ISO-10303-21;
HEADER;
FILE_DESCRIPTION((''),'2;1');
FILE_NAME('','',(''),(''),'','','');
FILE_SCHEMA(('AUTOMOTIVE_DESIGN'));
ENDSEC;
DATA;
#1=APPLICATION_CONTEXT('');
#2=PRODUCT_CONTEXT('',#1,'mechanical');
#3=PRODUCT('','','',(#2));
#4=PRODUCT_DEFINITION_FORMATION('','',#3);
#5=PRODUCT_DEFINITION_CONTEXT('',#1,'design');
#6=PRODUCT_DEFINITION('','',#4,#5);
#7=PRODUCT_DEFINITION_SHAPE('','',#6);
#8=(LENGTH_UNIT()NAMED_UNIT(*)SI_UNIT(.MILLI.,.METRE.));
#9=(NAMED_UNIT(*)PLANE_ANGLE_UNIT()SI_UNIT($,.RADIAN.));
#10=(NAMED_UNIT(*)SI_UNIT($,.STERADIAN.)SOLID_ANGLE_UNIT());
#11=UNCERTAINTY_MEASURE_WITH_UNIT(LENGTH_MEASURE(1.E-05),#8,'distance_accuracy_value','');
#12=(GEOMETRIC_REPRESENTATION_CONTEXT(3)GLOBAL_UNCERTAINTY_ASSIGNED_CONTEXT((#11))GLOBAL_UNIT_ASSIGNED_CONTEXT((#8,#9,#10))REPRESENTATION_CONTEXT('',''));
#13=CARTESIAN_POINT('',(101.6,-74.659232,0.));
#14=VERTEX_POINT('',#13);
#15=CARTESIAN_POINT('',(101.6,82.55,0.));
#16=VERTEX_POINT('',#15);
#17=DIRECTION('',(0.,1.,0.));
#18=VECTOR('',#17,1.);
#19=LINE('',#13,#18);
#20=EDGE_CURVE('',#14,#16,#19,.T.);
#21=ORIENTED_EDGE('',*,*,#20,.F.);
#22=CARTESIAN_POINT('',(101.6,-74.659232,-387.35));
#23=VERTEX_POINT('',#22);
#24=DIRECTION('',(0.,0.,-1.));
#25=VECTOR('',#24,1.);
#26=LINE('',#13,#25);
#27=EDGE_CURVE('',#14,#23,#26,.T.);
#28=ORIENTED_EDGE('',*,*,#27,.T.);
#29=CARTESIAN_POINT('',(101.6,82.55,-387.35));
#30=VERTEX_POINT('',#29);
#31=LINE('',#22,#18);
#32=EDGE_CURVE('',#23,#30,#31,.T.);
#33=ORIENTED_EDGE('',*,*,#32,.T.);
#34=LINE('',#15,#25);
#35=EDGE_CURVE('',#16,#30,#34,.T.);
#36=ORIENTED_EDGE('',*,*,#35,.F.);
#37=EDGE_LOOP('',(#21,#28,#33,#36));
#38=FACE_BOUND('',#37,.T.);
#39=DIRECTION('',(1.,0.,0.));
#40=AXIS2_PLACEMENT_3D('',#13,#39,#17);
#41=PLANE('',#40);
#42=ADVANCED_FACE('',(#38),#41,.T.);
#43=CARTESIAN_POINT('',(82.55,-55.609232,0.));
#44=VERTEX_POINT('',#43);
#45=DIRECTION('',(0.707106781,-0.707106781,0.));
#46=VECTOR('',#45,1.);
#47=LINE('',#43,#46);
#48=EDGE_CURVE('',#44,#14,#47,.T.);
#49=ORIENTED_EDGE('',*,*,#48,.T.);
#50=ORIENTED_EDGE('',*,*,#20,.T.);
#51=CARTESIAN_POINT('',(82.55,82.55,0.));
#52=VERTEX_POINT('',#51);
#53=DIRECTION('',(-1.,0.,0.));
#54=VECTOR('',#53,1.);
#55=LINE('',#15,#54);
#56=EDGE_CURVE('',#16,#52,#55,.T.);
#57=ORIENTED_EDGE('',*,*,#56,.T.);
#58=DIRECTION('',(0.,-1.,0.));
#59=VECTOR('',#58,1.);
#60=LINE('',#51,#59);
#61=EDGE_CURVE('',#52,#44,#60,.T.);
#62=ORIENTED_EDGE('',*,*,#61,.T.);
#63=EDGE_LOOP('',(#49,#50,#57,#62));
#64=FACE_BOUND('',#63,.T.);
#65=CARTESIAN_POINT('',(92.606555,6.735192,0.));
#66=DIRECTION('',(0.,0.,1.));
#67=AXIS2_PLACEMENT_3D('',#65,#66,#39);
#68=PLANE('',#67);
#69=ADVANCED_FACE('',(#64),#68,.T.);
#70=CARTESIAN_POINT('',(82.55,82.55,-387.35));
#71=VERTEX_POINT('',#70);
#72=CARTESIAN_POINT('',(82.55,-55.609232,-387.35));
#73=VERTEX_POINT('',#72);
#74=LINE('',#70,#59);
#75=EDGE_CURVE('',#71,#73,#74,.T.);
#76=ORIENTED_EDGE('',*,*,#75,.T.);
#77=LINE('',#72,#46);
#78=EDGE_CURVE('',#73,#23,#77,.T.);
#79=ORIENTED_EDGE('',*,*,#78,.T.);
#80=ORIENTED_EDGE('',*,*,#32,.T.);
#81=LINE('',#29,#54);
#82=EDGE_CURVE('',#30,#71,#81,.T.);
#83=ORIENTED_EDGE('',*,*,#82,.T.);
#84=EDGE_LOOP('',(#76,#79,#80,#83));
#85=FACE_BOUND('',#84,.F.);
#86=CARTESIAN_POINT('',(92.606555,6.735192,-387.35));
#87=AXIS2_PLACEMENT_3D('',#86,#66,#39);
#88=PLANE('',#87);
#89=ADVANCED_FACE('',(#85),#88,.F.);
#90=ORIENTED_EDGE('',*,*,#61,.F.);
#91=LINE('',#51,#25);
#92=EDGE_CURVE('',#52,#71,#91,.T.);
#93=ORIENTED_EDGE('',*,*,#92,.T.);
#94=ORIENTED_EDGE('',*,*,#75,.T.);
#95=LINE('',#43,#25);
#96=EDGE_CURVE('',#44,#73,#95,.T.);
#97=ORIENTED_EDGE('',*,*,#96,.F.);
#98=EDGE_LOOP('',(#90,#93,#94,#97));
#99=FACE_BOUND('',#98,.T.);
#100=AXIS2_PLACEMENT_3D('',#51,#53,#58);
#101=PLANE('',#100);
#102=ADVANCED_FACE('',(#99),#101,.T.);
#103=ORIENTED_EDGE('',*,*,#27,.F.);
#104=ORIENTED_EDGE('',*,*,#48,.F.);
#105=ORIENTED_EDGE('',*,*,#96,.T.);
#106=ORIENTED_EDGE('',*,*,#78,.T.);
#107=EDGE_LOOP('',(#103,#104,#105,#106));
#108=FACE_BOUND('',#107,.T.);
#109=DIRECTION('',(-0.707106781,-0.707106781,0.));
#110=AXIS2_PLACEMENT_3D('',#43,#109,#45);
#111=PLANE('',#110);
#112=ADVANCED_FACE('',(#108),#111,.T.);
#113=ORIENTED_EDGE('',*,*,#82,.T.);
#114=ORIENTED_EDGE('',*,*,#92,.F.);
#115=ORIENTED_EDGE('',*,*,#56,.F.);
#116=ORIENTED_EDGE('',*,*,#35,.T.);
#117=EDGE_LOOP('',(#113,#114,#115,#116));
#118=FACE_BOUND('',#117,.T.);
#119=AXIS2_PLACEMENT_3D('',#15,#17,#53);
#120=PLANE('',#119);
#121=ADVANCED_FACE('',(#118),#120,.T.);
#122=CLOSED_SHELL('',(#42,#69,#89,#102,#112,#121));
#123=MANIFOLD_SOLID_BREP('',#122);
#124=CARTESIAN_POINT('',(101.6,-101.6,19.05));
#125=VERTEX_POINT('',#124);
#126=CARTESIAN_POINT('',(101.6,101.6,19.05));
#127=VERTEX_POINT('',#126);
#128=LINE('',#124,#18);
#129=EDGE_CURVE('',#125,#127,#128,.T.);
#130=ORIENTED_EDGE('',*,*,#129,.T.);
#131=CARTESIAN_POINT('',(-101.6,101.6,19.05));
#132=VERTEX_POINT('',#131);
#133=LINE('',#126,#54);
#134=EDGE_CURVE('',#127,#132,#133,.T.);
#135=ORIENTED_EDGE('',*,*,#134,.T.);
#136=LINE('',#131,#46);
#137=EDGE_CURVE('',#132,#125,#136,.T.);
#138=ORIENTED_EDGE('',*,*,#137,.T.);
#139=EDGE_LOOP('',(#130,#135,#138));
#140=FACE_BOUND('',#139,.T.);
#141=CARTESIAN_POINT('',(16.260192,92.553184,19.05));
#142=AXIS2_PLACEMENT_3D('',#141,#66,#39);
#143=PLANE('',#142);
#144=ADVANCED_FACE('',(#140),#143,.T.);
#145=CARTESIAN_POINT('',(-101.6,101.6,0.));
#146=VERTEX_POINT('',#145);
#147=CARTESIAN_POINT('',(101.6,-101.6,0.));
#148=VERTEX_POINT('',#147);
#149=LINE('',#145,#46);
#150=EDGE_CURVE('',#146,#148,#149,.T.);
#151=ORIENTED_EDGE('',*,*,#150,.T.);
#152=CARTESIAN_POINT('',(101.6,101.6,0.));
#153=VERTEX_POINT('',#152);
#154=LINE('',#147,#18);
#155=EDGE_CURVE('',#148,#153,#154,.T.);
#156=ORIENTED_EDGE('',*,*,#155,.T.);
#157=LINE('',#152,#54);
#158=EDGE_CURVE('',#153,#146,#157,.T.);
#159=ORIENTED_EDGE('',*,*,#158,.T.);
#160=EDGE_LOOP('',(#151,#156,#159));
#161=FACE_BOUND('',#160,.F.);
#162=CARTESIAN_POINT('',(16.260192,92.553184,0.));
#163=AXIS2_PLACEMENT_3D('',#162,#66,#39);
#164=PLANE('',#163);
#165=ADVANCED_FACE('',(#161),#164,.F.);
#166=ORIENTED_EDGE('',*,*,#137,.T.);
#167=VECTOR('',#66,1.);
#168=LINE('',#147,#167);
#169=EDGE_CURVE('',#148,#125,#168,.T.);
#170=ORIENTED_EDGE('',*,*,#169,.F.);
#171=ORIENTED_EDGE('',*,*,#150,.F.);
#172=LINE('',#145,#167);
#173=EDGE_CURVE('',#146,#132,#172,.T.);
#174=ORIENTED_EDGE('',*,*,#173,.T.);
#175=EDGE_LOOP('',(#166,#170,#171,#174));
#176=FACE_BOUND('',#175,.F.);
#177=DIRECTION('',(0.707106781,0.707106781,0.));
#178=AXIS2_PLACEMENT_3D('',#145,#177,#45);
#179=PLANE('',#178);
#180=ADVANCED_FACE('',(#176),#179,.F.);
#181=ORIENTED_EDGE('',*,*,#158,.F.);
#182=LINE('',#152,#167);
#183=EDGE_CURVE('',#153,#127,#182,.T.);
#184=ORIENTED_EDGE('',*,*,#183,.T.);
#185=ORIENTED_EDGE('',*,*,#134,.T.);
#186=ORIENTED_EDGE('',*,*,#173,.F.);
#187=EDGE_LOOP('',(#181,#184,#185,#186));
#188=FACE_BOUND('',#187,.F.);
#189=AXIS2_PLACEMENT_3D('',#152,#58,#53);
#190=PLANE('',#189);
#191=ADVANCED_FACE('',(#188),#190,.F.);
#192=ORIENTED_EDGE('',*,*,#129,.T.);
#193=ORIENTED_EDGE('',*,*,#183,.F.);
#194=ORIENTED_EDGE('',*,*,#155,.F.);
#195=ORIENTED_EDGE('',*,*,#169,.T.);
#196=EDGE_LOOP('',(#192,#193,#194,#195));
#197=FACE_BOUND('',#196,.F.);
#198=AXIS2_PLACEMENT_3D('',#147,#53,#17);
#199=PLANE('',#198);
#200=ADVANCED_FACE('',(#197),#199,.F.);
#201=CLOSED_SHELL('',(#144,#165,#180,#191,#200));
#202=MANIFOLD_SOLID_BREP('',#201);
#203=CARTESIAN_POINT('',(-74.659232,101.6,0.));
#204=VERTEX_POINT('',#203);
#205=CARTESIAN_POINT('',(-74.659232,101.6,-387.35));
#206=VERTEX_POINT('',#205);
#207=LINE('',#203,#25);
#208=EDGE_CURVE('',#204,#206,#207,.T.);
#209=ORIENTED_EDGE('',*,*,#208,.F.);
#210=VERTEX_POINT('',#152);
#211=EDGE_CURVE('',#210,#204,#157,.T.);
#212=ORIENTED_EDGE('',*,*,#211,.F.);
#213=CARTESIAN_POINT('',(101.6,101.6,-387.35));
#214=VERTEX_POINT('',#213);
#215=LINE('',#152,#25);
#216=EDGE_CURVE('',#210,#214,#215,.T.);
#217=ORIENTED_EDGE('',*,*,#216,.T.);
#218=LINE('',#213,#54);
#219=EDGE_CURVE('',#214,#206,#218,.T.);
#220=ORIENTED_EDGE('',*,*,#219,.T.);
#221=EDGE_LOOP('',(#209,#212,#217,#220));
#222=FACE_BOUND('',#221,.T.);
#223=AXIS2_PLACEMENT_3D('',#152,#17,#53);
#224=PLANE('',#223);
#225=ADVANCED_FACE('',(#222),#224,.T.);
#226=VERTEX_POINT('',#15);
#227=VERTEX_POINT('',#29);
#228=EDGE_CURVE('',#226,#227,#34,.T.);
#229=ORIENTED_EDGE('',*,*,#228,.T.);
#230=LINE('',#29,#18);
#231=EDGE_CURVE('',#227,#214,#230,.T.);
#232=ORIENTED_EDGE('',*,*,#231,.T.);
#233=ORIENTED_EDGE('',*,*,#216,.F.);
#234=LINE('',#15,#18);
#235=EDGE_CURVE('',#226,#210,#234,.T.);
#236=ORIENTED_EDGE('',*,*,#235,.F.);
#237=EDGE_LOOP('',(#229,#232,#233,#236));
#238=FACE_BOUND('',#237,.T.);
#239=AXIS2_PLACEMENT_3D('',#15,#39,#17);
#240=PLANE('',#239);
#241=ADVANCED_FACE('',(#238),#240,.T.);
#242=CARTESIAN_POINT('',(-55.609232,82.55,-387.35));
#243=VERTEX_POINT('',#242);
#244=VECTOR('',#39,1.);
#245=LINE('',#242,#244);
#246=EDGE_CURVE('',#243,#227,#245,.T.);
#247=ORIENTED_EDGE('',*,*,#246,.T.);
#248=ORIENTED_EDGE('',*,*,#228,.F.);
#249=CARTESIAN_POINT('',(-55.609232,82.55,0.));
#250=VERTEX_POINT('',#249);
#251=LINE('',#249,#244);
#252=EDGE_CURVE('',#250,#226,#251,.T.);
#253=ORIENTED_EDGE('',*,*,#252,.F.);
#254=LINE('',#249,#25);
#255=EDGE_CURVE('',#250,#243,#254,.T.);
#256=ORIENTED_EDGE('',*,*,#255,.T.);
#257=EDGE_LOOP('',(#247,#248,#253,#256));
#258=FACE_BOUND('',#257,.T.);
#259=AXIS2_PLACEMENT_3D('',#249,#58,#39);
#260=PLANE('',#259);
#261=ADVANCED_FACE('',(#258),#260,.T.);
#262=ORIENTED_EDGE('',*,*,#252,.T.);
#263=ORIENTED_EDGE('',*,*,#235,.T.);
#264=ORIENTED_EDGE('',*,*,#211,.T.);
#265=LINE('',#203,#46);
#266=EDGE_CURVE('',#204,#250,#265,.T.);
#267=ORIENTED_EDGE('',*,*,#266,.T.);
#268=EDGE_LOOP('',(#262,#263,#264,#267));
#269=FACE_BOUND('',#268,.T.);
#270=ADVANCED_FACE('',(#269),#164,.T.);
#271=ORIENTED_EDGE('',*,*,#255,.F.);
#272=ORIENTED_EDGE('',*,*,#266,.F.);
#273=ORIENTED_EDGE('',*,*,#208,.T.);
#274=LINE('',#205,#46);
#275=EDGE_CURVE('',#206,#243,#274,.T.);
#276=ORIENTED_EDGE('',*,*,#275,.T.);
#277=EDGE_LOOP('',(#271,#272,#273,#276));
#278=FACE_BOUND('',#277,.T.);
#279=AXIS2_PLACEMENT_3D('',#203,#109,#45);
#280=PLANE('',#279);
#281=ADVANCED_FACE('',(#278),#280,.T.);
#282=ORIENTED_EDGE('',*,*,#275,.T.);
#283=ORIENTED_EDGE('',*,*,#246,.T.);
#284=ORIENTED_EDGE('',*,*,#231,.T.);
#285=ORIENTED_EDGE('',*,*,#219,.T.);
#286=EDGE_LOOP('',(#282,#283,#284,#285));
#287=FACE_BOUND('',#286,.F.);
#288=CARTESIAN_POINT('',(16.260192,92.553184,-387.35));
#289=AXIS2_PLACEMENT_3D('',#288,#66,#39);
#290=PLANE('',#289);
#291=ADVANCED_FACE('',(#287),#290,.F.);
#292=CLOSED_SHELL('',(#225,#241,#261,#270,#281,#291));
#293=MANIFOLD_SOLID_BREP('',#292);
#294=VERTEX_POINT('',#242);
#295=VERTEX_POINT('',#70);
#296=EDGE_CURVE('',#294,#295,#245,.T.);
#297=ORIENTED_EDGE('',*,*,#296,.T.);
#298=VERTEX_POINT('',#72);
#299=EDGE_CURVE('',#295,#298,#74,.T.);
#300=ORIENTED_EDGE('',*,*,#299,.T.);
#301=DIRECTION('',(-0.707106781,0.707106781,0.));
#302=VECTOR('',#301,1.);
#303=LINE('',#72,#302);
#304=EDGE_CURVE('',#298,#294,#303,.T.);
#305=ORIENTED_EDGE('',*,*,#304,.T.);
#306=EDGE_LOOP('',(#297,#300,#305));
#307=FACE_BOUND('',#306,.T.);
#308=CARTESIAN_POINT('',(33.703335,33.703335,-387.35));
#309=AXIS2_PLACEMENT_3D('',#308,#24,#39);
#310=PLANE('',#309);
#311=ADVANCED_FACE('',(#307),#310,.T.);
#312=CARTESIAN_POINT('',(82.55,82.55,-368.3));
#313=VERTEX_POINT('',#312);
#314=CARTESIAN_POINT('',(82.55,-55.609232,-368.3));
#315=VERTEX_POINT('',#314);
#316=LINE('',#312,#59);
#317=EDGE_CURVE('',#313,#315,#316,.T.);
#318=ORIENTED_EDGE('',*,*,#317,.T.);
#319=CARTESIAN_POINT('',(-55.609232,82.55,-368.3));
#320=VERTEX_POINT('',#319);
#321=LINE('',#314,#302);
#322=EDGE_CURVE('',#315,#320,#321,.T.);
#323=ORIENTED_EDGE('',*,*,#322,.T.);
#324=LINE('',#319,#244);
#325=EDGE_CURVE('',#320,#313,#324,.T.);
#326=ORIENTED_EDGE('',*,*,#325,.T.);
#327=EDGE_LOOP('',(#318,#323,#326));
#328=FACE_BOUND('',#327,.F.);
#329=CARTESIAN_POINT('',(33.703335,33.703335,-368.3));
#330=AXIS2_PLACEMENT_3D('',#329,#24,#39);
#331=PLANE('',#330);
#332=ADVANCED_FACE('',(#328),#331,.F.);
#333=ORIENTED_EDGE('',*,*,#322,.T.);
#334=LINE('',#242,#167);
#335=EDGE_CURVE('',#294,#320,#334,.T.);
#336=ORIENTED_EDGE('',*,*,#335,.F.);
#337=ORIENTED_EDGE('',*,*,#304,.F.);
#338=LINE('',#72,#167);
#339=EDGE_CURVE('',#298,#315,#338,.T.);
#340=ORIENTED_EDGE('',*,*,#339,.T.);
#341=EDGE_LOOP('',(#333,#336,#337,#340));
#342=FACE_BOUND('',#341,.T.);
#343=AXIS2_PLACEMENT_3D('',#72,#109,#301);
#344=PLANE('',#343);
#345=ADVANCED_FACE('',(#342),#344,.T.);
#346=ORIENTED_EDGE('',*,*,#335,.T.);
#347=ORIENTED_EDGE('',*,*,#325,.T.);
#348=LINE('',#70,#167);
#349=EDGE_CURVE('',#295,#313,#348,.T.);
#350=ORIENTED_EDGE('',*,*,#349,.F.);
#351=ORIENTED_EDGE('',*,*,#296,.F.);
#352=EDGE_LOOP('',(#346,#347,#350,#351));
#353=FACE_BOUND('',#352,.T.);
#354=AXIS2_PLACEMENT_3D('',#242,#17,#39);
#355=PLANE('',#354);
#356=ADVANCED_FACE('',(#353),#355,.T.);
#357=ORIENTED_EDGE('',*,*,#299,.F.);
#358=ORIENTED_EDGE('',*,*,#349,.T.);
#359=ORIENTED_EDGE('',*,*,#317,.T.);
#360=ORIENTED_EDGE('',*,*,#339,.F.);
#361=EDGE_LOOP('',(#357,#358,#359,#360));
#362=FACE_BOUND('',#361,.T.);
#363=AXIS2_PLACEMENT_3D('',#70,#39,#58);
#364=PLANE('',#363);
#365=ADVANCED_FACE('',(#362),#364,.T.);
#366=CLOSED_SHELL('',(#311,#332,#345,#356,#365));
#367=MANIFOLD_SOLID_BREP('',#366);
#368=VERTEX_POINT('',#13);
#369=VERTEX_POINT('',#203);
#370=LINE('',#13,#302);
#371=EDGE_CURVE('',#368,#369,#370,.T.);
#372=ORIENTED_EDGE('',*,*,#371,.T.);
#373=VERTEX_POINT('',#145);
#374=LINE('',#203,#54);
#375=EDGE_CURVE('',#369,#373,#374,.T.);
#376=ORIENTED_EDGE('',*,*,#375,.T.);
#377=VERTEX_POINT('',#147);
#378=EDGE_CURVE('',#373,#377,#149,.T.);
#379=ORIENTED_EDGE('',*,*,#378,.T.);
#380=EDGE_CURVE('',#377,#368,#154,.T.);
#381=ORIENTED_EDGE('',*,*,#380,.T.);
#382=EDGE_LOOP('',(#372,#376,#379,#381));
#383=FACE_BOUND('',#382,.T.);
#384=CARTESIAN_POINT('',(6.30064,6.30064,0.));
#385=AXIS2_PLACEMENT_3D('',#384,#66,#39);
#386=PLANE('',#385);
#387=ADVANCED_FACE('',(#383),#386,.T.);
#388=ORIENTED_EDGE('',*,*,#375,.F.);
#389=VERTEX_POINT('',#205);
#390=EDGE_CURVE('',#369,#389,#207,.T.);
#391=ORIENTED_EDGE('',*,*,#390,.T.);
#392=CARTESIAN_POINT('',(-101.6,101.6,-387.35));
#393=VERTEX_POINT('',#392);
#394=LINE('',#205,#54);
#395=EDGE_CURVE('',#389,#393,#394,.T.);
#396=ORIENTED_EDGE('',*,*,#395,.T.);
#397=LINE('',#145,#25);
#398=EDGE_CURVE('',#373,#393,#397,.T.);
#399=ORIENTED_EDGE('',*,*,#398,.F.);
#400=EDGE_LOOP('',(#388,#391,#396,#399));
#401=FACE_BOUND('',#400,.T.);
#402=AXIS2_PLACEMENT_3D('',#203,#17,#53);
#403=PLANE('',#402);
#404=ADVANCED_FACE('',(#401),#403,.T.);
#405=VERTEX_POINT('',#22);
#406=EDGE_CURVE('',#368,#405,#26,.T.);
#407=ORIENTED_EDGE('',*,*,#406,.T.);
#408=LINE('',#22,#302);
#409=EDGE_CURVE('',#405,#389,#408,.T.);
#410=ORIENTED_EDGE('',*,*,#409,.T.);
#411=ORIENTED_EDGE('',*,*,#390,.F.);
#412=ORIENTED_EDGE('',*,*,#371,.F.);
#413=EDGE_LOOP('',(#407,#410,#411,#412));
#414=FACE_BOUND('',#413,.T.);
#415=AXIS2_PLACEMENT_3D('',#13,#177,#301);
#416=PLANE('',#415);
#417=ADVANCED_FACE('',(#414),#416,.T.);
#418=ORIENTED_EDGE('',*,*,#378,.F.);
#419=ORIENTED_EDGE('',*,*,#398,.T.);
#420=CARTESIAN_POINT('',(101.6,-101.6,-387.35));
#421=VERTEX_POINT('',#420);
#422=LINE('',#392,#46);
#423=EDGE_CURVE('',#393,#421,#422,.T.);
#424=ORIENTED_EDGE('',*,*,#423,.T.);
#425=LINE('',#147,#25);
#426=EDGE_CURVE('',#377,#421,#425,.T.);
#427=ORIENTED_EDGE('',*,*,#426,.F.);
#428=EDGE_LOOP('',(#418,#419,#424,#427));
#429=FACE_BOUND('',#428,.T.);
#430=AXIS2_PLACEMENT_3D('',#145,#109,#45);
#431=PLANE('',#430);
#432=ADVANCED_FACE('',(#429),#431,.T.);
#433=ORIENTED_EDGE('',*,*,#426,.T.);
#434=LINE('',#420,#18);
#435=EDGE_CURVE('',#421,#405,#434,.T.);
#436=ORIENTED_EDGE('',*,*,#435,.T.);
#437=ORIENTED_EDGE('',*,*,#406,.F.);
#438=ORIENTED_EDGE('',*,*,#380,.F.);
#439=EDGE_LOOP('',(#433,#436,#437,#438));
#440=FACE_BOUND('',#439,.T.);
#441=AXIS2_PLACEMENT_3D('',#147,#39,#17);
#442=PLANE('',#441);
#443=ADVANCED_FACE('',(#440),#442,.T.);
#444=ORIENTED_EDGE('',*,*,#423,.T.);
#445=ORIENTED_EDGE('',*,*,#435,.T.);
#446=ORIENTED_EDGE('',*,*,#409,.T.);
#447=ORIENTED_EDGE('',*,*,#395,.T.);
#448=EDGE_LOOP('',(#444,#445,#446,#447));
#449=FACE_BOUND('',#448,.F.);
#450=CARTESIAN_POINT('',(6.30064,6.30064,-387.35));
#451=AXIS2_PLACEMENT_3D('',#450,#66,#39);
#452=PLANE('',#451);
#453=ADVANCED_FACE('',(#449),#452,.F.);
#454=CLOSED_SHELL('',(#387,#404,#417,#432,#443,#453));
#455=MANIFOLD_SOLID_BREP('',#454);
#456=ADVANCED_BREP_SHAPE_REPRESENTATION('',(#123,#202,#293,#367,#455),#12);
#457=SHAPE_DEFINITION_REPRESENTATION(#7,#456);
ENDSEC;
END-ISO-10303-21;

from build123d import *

# Parameters (mm, degrees)
F1_DEPTH = 387.35
F2_DEPTH = 387.35
F3_DEPTH = 387.35
F4_DEPTH = 19.05
F6_DEPTH = 19.05


with BuildPart() as f1:
    # F0 (on Top) → F1 (new body)
    with BuildSketch(Plane.XY):
        Polygon((-55.6092316368, 82.55), (-74.6592316368, 101.6), (-101.6, 101.6), (101.6, -101.6), (101.6, -74.6592316368), (82.55, -55.6092316368), align=None)
    extrude(amount=-F1_DEPTH)


with BuildPart() as f2:
    # F0 (on Top) → F2 (new body)
    with BuildSketch(Plane.XY):
        Polygon((101.6, 82.55), (101.6, 101.6), (-74.6592316368, 101.6), (-55.6092316368, 82.55), (82.55, 82.55), align=None)
    extrude(amount=-F2_DEPTH)


with BuildPart() as f3:
    # F0 (on Top) → F3 (new body)
    with BuildSketch(Plane.XY):
        Polygon((101.6, -74.6592316368), (101.6, 82.55), (82.55, 82.55), (82.55, -55.6092316368), align=None)
    extrude(amount=-F3_DEPTH)


with BuildPart() as f4:
    # F0 (on Top) → F4 (new body)
    with BuildSketch(Plane.XY):
        Polygon((101.6, 82.55), (101.6, 101.6), (-74.6592316368, 101.6), (-55.6092316368, 82.55), (82.55, 82.55), align=None)
        Polygon((-55.6092316368, 82.55), (-74.6592316368, 101.6), (-101.6, 101.6), (101.6, -101.6), (101.6, -74.6592316368), (82.55, -55.6092316368), align=None)
        Polygon((82.55, 82.55), (-55.6092316368, 82.55), (82.55, -55.6092316368), align=None)
        Polygon((101.6, -74.6592316368), (101.6, 82.55), (82.55, 82.55), (82.55, -55.6092316368), align=None)
    extrude(amount=F4_DEPTH)


with BuildPart() as f6:
    # F5 (on face) → F6 (new body)
    with BuildSketch(Plane(origin=(0, 0, -387.35), x_dir=(1, 0, 0), z_dir=(0, 0, -1))):
        Polygon((82.55, -82.55), (82.55, 55.6092316368), (-55.6092316368, -82.55), align=None)
    extrude(amount=-F6_DEPTH)


solid = Compound([f1.part, f2.part, f3.part, f4.part, f6.part])
